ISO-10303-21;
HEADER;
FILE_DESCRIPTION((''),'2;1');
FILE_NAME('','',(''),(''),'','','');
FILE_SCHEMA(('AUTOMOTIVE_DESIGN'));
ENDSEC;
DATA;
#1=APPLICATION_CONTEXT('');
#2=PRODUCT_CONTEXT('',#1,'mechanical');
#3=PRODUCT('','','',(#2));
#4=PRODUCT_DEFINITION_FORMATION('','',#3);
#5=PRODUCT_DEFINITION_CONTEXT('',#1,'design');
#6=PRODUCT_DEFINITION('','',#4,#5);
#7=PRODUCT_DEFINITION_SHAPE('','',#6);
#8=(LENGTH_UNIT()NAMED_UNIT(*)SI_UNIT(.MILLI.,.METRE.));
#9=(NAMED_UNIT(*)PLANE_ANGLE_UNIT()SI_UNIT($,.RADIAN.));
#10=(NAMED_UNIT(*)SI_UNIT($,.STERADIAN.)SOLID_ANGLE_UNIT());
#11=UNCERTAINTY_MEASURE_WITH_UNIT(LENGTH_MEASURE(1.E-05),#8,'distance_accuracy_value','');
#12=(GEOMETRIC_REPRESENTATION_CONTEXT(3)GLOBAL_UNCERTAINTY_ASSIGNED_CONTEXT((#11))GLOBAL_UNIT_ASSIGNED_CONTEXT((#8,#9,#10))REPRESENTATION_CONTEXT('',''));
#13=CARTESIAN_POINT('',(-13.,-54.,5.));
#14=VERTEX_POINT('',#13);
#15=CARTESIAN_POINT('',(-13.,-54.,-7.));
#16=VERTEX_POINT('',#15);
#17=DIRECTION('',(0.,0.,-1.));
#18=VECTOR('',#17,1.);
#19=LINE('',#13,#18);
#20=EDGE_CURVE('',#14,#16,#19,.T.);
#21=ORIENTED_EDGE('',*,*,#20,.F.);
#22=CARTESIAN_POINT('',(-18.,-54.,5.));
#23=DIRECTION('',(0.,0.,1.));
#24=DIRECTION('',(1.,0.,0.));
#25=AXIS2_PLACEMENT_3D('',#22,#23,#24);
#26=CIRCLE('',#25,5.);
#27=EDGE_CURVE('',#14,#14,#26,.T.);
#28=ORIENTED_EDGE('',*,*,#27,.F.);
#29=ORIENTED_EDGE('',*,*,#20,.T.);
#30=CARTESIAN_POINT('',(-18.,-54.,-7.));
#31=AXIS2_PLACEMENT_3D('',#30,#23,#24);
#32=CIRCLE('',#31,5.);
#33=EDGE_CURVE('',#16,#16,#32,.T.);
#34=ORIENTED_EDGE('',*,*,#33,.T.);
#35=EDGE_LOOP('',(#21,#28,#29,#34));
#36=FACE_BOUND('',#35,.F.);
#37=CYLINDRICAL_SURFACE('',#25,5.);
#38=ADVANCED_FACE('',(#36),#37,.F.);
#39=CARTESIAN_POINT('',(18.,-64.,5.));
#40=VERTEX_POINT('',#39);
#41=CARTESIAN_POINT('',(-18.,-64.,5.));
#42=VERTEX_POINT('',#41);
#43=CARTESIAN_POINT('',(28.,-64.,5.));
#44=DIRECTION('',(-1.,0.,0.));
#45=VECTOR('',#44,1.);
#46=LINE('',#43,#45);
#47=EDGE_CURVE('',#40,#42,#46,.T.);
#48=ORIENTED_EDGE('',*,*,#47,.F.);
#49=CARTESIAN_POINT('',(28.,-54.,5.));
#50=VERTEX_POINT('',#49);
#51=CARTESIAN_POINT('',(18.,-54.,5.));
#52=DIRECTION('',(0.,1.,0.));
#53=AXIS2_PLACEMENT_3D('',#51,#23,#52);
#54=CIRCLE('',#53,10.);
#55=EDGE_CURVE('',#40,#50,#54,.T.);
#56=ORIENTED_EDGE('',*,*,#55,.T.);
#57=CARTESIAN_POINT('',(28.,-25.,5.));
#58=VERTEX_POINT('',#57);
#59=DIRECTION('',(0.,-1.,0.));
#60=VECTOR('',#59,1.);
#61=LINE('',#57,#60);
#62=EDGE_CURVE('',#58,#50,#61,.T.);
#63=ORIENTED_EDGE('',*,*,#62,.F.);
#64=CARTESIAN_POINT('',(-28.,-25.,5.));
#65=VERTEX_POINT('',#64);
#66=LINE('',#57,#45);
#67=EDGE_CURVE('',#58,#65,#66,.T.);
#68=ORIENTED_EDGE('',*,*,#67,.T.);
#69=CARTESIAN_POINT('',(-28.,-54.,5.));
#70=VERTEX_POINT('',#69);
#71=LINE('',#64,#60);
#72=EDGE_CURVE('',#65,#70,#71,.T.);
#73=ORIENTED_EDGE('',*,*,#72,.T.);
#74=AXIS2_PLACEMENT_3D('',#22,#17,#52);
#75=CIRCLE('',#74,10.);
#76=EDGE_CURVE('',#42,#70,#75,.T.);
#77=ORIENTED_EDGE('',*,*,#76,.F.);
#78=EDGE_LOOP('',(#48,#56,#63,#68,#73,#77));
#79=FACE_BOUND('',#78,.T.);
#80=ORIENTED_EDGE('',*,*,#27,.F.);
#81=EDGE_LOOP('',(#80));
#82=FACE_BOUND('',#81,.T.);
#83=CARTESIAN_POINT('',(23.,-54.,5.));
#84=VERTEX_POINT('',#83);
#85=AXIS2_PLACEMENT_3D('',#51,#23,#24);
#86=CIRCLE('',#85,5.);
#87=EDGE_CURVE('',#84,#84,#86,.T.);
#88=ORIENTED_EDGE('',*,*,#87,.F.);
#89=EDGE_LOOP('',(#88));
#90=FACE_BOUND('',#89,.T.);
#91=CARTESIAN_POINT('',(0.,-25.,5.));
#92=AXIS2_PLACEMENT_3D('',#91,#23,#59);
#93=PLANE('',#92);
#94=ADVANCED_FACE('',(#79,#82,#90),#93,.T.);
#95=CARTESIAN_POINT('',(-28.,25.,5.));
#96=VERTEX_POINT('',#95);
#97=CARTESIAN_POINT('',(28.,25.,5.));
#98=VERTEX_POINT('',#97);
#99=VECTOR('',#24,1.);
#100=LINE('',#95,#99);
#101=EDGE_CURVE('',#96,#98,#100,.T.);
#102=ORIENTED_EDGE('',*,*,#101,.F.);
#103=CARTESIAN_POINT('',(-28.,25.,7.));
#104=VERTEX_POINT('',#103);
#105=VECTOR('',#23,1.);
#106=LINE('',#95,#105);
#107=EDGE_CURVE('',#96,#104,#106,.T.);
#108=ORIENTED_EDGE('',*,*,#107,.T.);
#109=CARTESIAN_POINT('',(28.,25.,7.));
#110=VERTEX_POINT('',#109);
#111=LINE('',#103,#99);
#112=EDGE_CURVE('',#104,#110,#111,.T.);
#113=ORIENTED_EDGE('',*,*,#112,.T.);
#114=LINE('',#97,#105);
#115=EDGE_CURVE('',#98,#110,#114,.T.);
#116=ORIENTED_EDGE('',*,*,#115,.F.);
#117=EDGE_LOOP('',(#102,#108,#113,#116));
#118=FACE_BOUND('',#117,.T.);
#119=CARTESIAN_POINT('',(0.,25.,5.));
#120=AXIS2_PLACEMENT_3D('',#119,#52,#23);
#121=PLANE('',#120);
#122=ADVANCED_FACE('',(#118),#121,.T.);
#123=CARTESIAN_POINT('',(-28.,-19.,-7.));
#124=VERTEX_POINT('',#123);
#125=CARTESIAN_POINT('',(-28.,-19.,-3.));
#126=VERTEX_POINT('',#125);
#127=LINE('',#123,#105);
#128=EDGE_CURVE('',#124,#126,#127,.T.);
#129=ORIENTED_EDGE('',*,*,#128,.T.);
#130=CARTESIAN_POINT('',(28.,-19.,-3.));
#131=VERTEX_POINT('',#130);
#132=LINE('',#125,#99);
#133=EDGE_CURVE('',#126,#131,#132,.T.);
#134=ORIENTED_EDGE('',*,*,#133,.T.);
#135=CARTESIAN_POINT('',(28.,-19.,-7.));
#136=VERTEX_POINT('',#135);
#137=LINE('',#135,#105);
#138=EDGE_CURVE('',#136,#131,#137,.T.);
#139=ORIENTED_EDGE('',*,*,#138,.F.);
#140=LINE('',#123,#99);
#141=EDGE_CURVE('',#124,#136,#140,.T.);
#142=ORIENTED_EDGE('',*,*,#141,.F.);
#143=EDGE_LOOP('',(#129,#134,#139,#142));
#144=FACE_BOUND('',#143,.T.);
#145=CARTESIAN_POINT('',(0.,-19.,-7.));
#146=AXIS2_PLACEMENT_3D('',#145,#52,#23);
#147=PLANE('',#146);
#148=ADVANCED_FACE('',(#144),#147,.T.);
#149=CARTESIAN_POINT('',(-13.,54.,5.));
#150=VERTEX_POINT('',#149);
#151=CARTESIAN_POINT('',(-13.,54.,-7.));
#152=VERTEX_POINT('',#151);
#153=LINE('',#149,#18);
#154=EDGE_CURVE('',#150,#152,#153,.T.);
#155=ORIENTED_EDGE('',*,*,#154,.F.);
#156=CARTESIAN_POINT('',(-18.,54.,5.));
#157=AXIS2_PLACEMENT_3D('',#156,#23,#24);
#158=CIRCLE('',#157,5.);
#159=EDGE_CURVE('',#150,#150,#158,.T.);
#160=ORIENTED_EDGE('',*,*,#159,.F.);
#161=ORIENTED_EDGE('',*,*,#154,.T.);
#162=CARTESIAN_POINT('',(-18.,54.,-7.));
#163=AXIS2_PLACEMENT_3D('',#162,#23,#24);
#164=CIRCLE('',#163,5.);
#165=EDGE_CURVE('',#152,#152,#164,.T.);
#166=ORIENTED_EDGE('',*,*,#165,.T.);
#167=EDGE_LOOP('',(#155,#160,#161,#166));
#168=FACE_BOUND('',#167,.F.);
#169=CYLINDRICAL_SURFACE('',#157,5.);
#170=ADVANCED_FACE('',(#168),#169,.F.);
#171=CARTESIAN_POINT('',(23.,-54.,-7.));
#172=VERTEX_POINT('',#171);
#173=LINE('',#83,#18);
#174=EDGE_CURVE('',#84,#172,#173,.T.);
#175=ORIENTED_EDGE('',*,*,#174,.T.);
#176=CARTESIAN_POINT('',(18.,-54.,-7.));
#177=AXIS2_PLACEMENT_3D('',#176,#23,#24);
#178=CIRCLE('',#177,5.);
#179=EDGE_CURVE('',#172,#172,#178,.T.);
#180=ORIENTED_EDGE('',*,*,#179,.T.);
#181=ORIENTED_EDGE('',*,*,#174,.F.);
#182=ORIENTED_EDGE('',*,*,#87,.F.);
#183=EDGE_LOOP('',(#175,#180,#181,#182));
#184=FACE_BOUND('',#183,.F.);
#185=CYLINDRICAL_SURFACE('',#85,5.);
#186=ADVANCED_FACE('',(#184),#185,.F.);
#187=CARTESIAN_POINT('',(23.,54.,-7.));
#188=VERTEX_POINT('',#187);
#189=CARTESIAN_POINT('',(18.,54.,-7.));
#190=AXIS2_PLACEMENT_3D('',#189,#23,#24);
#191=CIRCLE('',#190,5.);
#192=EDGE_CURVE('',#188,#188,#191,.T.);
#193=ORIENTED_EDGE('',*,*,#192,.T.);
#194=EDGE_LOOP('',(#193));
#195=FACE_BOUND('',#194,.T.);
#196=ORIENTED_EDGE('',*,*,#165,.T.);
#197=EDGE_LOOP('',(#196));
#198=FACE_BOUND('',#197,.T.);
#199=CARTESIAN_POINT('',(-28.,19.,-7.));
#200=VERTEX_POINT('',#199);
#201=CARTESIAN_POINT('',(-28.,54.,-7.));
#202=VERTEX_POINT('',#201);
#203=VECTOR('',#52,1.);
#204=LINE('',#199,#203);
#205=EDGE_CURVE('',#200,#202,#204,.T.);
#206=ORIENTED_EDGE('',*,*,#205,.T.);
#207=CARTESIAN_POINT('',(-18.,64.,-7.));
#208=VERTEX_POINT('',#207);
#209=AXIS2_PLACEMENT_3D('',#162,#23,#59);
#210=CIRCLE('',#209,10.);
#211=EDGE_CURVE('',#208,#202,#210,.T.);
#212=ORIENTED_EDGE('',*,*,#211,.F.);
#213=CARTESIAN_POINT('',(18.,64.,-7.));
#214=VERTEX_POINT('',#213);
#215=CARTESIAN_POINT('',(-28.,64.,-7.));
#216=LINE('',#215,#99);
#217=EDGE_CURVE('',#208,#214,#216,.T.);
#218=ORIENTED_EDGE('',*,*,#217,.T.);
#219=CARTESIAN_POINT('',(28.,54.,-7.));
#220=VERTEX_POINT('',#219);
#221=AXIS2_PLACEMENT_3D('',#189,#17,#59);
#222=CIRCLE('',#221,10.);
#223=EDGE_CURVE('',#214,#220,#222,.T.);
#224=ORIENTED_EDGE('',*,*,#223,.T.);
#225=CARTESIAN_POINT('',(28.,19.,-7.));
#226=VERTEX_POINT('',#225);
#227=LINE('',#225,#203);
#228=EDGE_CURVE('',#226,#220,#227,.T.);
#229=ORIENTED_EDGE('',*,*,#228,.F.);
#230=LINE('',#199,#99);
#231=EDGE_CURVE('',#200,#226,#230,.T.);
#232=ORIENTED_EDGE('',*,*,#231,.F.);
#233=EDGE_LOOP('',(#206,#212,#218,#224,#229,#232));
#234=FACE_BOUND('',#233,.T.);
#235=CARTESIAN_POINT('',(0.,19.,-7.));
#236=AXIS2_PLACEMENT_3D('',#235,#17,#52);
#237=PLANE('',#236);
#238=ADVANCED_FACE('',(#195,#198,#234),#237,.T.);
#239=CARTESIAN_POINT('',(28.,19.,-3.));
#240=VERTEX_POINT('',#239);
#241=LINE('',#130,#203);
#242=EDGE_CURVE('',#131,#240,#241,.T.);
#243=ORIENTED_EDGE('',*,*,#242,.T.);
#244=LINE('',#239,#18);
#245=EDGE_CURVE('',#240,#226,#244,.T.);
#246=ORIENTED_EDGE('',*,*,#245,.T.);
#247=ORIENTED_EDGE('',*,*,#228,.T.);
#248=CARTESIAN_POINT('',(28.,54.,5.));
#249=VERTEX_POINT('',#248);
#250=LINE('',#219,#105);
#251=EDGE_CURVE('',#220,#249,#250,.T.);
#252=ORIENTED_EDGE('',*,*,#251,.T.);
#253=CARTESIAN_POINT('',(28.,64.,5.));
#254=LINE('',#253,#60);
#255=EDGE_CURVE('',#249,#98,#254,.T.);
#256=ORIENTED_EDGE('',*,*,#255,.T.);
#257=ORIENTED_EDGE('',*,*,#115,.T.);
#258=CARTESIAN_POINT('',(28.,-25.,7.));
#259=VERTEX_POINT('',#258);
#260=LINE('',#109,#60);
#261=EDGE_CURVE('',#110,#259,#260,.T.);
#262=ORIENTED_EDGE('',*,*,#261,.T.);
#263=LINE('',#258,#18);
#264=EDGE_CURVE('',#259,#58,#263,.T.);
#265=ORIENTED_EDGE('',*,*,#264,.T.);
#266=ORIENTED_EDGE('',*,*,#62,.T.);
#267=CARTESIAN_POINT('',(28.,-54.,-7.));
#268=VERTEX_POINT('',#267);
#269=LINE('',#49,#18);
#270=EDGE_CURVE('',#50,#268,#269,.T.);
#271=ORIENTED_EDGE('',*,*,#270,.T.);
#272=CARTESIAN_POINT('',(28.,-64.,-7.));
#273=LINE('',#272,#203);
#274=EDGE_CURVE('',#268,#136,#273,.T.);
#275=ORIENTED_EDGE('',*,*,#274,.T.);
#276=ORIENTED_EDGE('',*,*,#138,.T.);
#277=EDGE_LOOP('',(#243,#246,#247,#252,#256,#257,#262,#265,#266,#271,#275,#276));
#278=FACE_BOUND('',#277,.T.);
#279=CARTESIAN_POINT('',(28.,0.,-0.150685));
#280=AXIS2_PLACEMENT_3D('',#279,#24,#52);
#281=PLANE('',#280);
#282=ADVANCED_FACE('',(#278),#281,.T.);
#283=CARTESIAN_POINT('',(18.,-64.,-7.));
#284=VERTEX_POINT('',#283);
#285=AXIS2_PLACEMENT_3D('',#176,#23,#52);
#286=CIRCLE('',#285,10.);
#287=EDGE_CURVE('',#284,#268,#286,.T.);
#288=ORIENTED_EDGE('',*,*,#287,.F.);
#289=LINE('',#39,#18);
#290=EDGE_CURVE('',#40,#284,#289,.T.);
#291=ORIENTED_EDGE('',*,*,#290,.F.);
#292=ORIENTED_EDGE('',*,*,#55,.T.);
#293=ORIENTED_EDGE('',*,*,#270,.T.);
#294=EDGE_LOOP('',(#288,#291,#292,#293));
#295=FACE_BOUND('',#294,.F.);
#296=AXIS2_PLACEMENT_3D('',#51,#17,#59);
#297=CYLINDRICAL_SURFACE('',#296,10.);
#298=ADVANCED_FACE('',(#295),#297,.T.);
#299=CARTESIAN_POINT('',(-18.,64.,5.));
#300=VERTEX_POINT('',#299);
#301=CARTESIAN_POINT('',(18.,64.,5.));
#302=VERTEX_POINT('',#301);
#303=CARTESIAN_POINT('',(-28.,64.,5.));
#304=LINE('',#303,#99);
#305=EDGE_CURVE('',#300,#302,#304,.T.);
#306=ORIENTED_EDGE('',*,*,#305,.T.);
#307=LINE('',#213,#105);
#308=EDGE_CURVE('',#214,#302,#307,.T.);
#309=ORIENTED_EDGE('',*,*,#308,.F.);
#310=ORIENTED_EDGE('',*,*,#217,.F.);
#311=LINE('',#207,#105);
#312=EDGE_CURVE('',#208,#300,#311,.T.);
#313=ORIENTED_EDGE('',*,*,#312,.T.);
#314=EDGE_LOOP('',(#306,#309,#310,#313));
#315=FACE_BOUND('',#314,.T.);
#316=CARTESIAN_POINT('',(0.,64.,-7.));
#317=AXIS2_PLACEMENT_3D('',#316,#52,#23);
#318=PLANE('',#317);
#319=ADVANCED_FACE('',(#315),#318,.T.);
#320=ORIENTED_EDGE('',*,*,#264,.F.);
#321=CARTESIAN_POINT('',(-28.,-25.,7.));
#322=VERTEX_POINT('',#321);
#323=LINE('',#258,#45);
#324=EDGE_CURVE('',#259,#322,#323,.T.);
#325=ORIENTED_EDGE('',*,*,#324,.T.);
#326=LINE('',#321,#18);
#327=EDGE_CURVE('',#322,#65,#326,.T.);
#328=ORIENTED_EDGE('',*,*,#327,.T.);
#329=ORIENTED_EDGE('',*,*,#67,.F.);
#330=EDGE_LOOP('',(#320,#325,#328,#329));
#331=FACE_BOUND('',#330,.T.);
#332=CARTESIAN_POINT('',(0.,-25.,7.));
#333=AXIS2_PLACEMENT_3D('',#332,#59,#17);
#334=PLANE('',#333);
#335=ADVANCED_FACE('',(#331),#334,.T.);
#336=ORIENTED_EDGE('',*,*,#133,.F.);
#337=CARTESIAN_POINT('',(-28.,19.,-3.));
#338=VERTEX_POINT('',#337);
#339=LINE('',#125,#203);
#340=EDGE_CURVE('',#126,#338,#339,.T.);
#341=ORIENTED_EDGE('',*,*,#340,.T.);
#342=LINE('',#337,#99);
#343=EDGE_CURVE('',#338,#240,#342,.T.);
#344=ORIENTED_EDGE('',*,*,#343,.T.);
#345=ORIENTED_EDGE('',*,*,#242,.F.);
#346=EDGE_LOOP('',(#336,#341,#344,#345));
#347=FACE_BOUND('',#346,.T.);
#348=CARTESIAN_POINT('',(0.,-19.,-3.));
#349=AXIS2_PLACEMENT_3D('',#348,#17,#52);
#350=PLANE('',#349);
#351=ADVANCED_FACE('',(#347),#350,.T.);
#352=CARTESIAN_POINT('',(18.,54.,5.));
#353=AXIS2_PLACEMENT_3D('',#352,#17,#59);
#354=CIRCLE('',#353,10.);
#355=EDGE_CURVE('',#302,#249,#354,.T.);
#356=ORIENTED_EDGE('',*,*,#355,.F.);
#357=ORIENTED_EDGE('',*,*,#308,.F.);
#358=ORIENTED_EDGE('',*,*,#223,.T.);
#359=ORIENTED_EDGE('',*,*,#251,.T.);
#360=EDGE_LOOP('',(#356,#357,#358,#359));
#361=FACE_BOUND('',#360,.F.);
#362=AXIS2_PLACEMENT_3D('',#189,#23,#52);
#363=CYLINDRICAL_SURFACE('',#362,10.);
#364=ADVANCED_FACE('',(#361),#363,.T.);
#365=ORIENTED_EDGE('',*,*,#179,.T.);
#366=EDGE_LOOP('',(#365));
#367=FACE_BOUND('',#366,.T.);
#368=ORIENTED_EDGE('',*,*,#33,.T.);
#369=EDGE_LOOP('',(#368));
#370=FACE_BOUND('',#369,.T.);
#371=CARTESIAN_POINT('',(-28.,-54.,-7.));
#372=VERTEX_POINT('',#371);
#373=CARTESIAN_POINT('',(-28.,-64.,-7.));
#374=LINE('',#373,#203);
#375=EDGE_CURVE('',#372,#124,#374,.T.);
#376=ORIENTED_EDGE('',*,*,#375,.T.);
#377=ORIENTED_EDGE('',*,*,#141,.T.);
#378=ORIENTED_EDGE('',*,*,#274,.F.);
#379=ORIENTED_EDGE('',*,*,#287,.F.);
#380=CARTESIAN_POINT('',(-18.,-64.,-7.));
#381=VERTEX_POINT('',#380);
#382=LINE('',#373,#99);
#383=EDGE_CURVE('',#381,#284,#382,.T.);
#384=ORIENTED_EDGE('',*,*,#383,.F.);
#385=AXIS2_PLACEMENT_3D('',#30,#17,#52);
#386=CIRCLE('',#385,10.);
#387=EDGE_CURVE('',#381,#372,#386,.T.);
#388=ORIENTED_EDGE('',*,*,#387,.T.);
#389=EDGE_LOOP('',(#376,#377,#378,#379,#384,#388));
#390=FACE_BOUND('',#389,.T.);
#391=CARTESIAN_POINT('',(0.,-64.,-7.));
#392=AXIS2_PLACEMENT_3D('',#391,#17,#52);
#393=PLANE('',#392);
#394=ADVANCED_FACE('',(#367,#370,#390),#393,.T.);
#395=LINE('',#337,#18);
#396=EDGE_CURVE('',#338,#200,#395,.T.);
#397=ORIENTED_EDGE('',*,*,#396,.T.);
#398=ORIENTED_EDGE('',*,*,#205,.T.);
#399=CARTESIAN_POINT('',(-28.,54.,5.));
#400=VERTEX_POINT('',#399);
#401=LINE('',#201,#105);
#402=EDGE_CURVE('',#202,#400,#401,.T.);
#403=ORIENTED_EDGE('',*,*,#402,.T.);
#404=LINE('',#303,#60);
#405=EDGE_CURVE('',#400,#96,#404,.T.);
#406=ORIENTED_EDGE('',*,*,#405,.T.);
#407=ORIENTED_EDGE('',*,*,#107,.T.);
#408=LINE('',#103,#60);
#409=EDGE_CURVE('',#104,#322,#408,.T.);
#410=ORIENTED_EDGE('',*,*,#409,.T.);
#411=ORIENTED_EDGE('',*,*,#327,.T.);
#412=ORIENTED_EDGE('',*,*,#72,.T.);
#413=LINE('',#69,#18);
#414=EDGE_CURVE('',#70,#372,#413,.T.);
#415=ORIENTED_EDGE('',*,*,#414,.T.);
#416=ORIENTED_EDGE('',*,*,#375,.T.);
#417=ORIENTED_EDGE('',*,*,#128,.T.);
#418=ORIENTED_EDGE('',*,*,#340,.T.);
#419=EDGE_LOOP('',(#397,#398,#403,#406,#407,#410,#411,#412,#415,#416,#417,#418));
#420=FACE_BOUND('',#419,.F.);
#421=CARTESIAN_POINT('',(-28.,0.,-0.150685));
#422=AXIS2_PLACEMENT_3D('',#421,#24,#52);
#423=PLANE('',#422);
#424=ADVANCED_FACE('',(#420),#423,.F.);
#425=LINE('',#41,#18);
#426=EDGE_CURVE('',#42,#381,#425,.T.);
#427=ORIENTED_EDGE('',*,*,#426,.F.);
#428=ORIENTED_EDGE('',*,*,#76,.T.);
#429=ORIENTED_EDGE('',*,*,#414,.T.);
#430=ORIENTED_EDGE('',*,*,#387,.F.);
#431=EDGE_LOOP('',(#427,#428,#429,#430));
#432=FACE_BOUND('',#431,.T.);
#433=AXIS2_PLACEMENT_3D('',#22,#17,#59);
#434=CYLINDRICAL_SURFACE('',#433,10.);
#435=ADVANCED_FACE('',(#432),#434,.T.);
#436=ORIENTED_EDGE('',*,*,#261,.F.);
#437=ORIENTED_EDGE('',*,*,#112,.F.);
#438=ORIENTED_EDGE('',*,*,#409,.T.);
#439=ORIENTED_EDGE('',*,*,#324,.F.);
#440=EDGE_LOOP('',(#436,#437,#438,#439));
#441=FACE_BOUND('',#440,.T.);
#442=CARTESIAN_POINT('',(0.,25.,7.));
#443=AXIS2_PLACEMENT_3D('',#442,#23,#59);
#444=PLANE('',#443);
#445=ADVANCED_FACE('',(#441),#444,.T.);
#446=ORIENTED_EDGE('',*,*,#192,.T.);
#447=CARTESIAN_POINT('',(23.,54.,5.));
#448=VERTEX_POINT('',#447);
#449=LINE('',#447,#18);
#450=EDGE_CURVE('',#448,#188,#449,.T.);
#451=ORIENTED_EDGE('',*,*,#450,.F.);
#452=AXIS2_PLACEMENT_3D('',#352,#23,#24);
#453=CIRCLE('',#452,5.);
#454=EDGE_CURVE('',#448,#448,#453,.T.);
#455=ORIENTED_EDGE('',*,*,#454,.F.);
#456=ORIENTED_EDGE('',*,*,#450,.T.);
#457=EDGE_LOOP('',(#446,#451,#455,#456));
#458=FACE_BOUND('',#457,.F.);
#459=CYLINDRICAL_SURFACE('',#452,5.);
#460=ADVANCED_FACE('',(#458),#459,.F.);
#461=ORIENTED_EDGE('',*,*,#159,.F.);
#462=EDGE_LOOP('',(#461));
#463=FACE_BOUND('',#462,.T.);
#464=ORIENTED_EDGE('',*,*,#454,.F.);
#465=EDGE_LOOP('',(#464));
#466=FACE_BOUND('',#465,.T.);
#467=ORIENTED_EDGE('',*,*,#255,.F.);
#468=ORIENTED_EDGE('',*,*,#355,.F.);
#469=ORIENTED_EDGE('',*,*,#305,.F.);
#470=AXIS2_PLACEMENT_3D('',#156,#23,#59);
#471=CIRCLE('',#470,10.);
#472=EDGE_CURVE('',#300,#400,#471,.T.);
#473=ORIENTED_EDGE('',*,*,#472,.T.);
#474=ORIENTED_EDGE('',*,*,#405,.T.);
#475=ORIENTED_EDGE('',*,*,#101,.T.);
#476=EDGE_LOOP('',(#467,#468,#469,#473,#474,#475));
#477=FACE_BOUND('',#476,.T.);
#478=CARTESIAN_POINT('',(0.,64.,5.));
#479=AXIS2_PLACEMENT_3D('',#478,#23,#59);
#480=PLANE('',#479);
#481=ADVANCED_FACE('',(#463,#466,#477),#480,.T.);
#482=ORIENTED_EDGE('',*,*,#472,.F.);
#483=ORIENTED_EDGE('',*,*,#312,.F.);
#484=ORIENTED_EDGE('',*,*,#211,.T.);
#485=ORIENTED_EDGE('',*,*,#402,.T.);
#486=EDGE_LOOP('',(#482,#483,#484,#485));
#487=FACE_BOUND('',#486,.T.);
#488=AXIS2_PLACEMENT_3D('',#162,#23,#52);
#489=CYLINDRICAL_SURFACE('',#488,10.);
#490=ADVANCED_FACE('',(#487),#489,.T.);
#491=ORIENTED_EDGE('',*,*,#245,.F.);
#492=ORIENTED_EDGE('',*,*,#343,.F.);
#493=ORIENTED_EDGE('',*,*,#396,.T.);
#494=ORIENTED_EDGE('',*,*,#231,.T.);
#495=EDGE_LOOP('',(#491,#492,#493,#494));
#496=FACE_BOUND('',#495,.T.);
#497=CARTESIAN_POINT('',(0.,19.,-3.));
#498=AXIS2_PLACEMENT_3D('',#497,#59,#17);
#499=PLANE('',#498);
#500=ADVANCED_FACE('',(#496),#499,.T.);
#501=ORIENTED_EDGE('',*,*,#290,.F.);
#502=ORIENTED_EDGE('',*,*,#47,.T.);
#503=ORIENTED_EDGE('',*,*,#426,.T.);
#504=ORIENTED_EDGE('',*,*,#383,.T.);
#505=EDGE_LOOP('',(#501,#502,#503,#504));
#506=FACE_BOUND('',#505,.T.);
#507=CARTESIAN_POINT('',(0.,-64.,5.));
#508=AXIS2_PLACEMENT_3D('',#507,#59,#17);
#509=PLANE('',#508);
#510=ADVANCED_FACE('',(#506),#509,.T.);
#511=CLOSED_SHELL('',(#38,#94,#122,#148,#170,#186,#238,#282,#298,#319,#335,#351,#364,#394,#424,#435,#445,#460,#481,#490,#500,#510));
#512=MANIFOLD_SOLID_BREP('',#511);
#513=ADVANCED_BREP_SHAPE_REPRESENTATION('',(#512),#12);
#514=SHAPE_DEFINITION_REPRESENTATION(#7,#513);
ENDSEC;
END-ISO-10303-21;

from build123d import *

# Parameters (mm, degrees)
F1_DEPTH = 28
F2_R     = 10
F3_R     = 5
F4_DEPTH = 12.001


with BuildPart() as f1:
    # F0 (on Right) → F1 (new body, symmetric)
    with BuildSketch(Plane.YZ):
        Polygon((-64, 5), (-64, -7), (-19, -7), (-19, -3), (19, -3), (19, -7), (64, -7), (64, 5), (25, 5), (25, 7), (-25, 7), (-25, 5), align=None)
    extrude(amount=F1_DEPTH, both=True)

    # F2
    f2_edges = [f1.edges().sort_by_distance(p)[0] for p in [
        (28, -64, -1),
        (-28, -64, -1),
        (28, 64, -1),
        (-28, 64, -1),
    ]]
    fillet(f2_edges, radius=F2_R)

    # F3 (on face) → F4 (cut, through all)
    with BuildSketch(Plane.XY.offset(5)):
        with Locations((-18, -54)):
            Circle(F3_R)
        with Locations((-18, 54)):
            Circle(F3_R)
        with Locations((18, 54)):
            Circle(F3_R)
        with Locations((18, -54)):
            Circle(F3_R)
    extrude(amount=-F4_DEPTH, mode=Mode.SUBTRACT)


solid = f1.part
